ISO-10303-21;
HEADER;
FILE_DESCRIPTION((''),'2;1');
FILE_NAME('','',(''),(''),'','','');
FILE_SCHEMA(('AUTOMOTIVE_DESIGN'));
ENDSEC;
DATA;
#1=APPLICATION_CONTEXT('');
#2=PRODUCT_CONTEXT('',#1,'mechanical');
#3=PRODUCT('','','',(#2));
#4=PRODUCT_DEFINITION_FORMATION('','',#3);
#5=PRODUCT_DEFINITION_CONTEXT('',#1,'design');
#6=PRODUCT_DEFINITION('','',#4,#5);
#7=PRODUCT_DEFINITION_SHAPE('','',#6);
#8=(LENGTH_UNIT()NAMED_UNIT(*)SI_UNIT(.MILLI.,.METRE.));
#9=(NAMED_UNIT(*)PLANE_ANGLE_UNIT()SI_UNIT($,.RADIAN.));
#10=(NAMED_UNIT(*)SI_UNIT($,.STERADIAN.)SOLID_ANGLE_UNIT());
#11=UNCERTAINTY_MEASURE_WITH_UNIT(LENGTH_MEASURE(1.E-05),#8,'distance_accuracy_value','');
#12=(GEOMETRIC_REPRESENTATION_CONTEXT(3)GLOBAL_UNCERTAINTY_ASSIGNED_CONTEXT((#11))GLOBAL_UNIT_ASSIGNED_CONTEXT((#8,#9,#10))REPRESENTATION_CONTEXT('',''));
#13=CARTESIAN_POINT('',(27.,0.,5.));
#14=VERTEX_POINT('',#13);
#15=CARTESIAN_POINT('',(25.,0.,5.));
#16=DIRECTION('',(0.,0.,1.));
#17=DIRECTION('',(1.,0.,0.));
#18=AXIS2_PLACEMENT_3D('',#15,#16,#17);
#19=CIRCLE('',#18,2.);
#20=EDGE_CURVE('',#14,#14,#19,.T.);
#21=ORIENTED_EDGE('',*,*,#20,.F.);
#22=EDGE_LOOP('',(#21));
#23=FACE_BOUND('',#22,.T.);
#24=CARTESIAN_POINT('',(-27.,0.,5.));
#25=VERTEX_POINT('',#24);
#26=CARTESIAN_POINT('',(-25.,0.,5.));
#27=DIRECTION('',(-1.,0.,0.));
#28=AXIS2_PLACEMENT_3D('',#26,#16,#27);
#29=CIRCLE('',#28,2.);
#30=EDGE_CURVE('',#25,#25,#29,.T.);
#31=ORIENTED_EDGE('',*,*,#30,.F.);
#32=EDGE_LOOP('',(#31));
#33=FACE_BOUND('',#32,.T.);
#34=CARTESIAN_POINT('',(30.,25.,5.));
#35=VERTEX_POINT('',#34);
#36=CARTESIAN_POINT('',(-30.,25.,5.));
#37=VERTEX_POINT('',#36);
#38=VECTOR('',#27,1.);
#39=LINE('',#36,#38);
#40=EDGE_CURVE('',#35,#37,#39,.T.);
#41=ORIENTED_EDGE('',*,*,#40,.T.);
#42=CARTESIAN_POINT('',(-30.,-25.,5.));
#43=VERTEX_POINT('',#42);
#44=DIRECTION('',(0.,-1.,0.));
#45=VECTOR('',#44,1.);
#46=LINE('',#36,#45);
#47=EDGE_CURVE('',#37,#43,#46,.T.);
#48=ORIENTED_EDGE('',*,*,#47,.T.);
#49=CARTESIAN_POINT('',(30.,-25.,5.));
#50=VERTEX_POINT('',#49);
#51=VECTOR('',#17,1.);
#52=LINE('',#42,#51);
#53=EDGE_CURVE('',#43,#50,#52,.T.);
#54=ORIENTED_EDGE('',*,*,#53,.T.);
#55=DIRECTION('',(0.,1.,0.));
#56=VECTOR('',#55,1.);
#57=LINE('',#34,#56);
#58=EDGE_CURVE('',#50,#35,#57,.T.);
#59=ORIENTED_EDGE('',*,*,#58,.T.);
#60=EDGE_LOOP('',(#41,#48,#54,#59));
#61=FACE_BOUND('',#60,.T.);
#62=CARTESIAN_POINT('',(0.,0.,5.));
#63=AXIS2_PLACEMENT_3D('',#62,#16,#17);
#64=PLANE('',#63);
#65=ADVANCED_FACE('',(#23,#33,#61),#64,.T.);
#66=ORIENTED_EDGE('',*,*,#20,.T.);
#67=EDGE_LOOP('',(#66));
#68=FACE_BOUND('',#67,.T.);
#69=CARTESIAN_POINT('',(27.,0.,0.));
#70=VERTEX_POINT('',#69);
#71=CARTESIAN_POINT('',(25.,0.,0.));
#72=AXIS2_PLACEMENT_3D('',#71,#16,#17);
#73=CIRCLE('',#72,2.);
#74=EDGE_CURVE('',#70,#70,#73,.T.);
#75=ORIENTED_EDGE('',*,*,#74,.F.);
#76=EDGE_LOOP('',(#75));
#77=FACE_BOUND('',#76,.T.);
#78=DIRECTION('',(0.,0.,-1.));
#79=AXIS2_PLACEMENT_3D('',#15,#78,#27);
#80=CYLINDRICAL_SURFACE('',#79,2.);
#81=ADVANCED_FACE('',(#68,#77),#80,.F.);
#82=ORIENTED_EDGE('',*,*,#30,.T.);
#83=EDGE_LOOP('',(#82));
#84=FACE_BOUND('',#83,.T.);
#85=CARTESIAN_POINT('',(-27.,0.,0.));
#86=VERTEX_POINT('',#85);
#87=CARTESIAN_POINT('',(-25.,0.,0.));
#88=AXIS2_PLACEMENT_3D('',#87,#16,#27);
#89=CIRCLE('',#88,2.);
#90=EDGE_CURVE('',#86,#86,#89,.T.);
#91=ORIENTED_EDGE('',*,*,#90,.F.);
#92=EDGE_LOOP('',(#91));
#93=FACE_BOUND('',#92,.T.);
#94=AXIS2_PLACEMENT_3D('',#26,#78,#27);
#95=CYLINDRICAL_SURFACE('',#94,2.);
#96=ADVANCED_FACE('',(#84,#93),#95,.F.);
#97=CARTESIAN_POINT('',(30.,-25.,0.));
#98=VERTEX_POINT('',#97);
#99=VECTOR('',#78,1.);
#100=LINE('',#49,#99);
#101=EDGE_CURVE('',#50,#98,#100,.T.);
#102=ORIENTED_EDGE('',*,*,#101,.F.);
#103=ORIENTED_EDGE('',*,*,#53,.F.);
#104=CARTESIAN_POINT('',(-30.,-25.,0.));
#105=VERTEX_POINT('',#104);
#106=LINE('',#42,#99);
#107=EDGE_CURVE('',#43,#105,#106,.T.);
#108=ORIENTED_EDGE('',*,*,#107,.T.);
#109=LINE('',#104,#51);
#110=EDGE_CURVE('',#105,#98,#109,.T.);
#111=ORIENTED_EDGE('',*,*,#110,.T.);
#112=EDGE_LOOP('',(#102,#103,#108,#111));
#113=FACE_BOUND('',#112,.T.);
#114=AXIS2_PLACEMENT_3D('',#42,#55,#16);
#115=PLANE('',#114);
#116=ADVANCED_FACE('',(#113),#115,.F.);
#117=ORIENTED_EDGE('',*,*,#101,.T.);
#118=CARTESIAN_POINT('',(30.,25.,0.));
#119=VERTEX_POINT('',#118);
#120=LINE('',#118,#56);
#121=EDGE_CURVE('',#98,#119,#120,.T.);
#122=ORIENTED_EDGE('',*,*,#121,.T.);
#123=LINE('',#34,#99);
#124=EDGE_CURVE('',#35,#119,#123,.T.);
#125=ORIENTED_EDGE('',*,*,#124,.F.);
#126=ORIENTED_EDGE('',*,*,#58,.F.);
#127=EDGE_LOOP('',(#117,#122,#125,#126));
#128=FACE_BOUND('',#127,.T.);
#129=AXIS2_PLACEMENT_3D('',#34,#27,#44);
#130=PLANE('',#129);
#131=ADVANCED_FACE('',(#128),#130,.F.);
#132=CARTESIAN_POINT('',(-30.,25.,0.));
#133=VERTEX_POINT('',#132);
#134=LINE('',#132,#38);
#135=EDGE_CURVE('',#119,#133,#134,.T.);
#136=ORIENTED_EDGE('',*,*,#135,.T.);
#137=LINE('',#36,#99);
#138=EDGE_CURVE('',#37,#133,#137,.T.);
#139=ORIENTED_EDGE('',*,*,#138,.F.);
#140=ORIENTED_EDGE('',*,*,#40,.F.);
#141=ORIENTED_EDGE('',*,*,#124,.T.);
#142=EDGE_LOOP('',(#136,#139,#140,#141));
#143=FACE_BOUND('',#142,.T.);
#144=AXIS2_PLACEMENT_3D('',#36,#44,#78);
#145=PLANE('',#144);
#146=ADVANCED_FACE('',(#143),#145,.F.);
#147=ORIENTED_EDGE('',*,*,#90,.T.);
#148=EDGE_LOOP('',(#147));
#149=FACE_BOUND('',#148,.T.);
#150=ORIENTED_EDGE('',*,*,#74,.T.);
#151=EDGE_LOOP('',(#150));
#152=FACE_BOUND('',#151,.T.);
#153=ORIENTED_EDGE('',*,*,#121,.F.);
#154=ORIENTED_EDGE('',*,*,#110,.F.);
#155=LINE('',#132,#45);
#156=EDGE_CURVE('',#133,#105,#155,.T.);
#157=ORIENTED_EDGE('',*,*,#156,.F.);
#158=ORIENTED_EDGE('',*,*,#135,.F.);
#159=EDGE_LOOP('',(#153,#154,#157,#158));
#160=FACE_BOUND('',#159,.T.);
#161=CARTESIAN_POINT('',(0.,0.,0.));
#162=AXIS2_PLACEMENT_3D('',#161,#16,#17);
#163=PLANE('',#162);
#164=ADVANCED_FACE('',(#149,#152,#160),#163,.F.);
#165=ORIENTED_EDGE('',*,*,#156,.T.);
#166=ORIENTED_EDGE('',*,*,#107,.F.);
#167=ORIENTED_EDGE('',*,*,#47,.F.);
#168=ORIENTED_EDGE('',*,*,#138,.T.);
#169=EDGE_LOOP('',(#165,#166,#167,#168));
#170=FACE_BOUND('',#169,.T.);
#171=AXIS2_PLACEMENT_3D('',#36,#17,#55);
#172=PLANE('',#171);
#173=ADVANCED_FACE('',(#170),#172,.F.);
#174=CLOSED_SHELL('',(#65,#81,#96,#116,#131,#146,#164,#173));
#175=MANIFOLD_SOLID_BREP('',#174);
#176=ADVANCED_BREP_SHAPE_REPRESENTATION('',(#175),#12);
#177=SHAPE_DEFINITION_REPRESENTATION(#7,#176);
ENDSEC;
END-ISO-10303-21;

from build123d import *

# Parameters (mm, degrees)
ESQUISSE1_W        = 60
ESQUISSE1_H        = 50
ESQUISSE1_R        = 2
BOSS_EXTRU_1_DEPTH = 5


with BuildPart() as part:
    # Esquisse1 → Boss.-Extru.1 (new body)
    with BuildSketch(Plane.XY):
        Rectangle(ESQUISSE1_W, ESQUISSE1_H)
        with Locations((25, 0)):
            Circle(ESQUISSE1_R, mode=Mode.SUBTRACT)
        with Locations(Location((-25, 0, 0), (0, 0, 180))):
            Circle(ESQUISSE1_R, mode=Mode.SUBTRACT)
    extrude(amount=BOSS_EXTRU_1_DEPTH)


solid = part.part
